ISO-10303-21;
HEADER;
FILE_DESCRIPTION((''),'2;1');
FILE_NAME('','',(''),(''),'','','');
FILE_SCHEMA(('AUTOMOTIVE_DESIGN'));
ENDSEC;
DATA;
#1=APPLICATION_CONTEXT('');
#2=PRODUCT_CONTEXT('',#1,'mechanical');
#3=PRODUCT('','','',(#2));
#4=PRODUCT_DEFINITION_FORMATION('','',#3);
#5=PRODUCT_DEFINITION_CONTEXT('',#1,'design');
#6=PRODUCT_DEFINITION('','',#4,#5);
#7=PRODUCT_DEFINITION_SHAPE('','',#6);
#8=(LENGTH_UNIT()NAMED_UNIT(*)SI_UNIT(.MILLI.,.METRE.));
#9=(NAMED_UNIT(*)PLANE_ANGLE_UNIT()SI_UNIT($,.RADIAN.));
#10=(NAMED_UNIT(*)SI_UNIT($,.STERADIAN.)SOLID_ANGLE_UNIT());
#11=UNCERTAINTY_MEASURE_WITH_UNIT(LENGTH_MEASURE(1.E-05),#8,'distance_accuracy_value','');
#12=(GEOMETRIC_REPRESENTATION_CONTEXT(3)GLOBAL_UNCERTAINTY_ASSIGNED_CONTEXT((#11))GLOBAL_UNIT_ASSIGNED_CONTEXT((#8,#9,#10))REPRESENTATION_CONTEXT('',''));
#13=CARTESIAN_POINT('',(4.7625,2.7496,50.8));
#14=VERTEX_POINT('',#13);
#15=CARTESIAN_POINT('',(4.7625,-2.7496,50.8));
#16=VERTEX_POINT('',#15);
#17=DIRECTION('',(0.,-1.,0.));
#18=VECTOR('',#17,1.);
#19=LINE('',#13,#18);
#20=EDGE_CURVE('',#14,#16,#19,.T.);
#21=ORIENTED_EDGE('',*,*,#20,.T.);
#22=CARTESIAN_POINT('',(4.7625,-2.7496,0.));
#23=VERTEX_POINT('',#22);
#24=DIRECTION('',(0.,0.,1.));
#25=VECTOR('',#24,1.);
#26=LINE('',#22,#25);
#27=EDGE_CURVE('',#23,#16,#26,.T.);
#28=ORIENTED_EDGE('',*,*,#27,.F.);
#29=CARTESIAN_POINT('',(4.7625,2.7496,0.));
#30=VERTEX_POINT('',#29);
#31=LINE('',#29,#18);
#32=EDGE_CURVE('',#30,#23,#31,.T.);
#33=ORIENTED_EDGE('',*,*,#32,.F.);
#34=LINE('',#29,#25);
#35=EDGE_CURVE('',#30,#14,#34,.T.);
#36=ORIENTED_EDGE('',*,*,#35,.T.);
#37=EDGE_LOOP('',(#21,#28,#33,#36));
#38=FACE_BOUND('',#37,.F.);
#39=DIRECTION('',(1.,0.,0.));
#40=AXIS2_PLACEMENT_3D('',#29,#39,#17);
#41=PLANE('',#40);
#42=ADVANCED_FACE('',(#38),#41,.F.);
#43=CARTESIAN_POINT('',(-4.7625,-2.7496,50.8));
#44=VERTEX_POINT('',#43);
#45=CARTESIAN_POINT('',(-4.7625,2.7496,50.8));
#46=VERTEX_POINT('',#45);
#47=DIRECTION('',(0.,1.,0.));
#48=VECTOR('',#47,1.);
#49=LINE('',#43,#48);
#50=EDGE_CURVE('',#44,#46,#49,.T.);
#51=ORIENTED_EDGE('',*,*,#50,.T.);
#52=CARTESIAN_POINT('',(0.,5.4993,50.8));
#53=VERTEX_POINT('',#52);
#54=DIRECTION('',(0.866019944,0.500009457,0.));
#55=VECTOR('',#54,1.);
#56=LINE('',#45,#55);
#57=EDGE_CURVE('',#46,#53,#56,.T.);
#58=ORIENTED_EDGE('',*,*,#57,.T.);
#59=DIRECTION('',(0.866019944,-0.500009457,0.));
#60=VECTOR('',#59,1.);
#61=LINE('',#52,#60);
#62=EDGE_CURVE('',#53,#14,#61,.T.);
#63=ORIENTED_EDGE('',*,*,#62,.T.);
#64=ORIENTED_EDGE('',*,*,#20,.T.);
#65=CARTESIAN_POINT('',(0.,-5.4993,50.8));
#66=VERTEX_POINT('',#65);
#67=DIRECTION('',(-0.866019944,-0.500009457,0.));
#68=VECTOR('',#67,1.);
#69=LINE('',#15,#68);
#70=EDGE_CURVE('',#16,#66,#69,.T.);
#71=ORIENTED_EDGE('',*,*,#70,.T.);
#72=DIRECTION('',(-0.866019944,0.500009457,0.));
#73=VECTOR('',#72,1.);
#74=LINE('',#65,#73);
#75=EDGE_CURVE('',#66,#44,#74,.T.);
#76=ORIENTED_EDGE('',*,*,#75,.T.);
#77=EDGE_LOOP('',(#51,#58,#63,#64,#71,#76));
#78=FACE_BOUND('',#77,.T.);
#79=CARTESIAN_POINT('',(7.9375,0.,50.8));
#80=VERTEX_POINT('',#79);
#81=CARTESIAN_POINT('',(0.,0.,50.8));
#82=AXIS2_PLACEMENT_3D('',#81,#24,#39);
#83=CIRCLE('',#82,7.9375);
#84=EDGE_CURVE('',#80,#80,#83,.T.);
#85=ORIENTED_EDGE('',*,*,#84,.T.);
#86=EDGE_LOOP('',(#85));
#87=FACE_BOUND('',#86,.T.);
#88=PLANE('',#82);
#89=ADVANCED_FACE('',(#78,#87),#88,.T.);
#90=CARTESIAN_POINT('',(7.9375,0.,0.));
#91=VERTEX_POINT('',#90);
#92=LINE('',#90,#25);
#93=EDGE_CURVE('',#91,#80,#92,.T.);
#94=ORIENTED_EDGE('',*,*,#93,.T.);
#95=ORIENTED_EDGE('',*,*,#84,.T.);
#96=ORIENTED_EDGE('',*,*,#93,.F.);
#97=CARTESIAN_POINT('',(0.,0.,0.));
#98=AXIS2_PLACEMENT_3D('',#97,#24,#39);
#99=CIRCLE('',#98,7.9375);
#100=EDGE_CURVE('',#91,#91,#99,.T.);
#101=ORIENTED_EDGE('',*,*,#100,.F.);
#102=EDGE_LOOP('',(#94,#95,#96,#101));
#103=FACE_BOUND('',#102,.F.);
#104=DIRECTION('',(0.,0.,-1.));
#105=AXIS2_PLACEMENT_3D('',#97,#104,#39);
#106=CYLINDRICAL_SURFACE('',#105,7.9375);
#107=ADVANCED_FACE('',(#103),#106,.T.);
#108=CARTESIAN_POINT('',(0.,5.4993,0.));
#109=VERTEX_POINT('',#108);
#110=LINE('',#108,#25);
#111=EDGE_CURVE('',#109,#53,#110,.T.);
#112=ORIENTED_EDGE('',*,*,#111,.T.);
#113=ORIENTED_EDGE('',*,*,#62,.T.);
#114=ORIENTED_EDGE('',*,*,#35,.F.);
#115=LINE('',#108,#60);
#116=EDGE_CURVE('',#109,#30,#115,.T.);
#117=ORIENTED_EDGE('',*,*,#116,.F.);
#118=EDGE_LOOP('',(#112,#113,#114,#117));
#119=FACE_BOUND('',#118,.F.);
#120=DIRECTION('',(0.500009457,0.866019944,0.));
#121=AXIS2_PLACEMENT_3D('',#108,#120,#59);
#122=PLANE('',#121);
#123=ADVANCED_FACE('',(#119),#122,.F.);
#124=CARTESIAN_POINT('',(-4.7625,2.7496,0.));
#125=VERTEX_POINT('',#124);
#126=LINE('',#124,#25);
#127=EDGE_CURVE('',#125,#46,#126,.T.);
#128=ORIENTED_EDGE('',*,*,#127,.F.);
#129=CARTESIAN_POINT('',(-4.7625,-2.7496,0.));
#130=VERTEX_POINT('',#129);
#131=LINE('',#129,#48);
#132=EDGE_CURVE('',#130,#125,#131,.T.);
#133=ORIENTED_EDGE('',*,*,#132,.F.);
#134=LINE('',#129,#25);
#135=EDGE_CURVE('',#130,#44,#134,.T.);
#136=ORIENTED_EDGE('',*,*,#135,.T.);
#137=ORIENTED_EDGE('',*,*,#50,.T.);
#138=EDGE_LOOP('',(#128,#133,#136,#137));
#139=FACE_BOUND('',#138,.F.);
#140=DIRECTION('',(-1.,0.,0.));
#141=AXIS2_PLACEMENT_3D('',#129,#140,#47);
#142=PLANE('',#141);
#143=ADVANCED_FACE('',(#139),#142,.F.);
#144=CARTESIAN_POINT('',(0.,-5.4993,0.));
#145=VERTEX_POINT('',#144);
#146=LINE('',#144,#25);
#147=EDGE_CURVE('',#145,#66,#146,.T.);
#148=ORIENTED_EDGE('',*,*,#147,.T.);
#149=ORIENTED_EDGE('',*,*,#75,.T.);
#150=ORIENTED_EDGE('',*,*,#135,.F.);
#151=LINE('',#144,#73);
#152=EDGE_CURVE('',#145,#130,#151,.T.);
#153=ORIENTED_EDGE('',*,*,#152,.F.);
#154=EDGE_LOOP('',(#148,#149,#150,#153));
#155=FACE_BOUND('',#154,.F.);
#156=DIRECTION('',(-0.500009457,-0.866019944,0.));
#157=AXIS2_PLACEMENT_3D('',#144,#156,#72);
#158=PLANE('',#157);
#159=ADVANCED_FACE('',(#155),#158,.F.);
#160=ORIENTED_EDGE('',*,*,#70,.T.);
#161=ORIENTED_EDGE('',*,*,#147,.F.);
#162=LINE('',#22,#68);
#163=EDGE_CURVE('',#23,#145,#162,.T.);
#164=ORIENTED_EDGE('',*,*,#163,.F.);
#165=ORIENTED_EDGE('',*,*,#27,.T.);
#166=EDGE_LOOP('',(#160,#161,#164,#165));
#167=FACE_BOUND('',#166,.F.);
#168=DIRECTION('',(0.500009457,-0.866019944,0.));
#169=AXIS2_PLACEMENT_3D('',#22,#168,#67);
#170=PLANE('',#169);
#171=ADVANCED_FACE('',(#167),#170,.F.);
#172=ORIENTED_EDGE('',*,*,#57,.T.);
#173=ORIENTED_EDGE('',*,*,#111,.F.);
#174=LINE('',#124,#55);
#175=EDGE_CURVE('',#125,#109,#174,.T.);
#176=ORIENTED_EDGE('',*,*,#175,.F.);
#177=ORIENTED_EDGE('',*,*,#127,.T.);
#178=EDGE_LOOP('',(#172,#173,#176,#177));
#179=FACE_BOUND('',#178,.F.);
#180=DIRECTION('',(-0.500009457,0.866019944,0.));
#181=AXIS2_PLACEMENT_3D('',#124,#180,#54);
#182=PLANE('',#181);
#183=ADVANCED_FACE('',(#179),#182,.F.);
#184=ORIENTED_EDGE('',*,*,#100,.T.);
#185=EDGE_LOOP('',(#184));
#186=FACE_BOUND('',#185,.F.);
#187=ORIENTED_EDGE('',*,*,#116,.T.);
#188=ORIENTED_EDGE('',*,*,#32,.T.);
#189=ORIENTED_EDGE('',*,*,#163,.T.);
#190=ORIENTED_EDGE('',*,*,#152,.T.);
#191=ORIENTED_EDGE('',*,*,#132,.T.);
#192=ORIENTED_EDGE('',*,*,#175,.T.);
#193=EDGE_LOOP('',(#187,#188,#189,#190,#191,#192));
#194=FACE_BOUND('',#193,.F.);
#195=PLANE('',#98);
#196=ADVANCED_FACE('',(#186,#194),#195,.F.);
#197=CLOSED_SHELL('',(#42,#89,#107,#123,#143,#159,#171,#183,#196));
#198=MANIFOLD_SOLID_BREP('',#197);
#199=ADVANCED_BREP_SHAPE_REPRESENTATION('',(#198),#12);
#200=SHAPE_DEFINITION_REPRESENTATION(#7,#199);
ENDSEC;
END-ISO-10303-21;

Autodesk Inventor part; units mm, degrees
ref_plane "YZ Plane" through (0, 0, 0) normal (1, 0, 0) x (0, 1, 0)
ref_plane "XZ Plane" through (0, 0, 0) normal (0, 1, 0) x (-1, 0, 0)
ref_plane "XY Plane" through (0, 0, 0) normal (0, 0, 1) x (1, 0, 0)
sketch "Sketch1" plane through (0, 0, 0) normal (0, 0, 1) x (1, 0, 0)
  circle A0 centre (0, 0) radius 7.9375
  line L0 (0, 5.4993) -> (4.7625, 2.7496)
  line L1 (4.7625, 2.7496) -> (4.7625, -2.7496)
  line L2 (4.7625, -2.7496) -> (0, -5.4993)
  line L3 (0, -5.4993) -> (-4.7625, -2.7496)
  line L4 (-4.7625, -2.7496) -> (-4.7625, 2.7496)
  line L5 (-4.7625, 2.7496) -> (0, 5.4993)
  dimension "d0" = 9.525
  dimension "d1" = 15.875
extrude "Extrusion1" add sketch "Sketch1" along normal blind 50.8
properties part number "Spacer_0.375hex_2" material "Acetal Resin, Black"
